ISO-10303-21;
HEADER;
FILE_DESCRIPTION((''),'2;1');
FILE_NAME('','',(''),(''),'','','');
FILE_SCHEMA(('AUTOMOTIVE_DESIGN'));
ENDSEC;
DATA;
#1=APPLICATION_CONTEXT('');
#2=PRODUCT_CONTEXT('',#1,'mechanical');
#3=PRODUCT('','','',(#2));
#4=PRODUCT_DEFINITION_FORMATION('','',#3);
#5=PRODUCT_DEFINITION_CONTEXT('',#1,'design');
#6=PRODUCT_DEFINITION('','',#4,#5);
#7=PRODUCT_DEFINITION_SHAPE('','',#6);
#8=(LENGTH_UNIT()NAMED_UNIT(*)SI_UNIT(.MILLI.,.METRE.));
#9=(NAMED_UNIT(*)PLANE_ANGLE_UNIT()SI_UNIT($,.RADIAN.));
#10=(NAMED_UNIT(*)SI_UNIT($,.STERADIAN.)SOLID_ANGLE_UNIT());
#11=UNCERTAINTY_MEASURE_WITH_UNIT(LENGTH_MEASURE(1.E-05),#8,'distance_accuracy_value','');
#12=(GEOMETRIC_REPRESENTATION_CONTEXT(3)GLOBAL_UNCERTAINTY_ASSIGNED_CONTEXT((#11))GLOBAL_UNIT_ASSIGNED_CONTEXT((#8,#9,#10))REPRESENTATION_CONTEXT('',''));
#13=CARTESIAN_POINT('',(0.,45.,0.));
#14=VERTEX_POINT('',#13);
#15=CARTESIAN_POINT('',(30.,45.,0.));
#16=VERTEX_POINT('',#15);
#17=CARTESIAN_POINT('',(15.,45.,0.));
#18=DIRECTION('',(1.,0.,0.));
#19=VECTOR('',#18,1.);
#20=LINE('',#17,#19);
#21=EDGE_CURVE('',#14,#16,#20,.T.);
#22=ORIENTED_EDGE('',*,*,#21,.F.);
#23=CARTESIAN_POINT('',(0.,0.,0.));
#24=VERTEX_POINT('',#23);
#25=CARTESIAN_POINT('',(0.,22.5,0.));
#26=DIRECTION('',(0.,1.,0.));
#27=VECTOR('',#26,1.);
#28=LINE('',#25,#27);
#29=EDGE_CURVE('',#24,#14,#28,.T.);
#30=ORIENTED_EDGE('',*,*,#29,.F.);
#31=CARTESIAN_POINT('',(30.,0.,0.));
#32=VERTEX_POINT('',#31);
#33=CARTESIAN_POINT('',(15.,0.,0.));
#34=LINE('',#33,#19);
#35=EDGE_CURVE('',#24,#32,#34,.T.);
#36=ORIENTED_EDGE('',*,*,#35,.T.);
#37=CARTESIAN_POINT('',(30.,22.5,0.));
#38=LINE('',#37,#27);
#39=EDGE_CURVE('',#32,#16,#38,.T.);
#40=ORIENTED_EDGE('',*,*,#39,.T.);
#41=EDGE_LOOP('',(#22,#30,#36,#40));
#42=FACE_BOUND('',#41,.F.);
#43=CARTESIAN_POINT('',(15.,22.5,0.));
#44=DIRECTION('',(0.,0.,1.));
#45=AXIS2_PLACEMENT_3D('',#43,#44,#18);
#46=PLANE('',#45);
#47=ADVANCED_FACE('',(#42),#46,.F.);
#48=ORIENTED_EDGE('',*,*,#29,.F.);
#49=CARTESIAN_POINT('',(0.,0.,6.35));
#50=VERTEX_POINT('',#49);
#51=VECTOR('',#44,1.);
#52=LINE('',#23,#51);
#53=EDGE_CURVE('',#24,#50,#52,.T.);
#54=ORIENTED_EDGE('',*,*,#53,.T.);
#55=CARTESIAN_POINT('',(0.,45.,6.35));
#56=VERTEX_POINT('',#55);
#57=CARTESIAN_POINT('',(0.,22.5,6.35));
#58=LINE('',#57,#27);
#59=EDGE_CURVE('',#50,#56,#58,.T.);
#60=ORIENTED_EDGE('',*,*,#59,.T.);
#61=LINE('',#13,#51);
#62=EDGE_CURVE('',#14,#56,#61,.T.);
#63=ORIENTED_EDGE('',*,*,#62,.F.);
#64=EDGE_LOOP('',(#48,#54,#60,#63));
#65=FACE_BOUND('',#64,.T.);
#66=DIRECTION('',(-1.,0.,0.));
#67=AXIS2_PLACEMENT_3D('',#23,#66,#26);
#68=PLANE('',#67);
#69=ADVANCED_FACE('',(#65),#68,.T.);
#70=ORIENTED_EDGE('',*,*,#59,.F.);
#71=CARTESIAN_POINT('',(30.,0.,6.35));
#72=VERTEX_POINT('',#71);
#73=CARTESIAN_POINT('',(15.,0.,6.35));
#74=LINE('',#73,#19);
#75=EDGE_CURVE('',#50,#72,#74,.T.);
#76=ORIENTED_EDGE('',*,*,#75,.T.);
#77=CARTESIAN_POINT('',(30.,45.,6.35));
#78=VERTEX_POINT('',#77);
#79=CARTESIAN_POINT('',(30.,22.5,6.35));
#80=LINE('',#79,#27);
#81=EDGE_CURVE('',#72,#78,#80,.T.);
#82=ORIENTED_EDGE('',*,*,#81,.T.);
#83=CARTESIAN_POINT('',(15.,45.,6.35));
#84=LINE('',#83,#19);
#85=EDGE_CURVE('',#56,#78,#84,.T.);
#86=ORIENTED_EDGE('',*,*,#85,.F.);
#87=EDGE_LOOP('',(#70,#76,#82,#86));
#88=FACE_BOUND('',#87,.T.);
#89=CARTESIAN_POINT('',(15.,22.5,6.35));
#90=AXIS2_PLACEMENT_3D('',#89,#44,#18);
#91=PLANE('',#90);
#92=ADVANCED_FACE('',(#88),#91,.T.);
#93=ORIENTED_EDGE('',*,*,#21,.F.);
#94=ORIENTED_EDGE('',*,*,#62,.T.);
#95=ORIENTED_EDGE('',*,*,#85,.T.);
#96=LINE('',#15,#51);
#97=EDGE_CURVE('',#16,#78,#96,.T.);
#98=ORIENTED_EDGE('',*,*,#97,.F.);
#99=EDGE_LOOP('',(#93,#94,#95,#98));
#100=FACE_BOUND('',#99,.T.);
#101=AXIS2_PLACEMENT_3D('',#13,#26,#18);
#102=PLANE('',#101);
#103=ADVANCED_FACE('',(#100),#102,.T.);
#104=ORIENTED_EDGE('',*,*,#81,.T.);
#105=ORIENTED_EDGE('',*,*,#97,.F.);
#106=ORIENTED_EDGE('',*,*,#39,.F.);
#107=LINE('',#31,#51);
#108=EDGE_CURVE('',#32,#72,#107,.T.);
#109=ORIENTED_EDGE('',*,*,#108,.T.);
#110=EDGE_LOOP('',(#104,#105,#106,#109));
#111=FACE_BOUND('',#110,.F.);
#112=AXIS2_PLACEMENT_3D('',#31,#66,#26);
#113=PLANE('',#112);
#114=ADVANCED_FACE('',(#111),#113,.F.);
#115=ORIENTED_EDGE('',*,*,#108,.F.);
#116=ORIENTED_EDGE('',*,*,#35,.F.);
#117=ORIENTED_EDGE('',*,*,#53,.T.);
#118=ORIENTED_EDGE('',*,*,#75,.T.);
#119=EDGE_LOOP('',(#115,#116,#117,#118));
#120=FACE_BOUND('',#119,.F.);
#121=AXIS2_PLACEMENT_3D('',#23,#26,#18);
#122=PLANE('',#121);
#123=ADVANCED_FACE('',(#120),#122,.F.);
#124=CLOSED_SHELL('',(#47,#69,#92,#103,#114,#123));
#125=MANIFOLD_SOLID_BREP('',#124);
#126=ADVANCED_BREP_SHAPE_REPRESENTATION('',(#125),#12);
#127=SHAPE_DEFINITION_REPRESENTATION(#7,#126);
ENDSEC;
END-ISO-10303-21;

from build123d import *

# Parameters (mm, degrees)
SKETCH1_W           = 30
SKETCH1_H           = 45
BOSS_EXTRUDE1_DEPTH = 6.35


with BuildPart() as part:
    # Sketch1 → Boss-Extrude1 (new body)
    with BuildSketch(Plane.XY):
        with Locations((15, 22.5)):
            Rectangle(SKETCH1_W, SKETCH1_H)
    extrude(amount=BOSS_EXTRUDE1_DEPTH)


solid = part.part
